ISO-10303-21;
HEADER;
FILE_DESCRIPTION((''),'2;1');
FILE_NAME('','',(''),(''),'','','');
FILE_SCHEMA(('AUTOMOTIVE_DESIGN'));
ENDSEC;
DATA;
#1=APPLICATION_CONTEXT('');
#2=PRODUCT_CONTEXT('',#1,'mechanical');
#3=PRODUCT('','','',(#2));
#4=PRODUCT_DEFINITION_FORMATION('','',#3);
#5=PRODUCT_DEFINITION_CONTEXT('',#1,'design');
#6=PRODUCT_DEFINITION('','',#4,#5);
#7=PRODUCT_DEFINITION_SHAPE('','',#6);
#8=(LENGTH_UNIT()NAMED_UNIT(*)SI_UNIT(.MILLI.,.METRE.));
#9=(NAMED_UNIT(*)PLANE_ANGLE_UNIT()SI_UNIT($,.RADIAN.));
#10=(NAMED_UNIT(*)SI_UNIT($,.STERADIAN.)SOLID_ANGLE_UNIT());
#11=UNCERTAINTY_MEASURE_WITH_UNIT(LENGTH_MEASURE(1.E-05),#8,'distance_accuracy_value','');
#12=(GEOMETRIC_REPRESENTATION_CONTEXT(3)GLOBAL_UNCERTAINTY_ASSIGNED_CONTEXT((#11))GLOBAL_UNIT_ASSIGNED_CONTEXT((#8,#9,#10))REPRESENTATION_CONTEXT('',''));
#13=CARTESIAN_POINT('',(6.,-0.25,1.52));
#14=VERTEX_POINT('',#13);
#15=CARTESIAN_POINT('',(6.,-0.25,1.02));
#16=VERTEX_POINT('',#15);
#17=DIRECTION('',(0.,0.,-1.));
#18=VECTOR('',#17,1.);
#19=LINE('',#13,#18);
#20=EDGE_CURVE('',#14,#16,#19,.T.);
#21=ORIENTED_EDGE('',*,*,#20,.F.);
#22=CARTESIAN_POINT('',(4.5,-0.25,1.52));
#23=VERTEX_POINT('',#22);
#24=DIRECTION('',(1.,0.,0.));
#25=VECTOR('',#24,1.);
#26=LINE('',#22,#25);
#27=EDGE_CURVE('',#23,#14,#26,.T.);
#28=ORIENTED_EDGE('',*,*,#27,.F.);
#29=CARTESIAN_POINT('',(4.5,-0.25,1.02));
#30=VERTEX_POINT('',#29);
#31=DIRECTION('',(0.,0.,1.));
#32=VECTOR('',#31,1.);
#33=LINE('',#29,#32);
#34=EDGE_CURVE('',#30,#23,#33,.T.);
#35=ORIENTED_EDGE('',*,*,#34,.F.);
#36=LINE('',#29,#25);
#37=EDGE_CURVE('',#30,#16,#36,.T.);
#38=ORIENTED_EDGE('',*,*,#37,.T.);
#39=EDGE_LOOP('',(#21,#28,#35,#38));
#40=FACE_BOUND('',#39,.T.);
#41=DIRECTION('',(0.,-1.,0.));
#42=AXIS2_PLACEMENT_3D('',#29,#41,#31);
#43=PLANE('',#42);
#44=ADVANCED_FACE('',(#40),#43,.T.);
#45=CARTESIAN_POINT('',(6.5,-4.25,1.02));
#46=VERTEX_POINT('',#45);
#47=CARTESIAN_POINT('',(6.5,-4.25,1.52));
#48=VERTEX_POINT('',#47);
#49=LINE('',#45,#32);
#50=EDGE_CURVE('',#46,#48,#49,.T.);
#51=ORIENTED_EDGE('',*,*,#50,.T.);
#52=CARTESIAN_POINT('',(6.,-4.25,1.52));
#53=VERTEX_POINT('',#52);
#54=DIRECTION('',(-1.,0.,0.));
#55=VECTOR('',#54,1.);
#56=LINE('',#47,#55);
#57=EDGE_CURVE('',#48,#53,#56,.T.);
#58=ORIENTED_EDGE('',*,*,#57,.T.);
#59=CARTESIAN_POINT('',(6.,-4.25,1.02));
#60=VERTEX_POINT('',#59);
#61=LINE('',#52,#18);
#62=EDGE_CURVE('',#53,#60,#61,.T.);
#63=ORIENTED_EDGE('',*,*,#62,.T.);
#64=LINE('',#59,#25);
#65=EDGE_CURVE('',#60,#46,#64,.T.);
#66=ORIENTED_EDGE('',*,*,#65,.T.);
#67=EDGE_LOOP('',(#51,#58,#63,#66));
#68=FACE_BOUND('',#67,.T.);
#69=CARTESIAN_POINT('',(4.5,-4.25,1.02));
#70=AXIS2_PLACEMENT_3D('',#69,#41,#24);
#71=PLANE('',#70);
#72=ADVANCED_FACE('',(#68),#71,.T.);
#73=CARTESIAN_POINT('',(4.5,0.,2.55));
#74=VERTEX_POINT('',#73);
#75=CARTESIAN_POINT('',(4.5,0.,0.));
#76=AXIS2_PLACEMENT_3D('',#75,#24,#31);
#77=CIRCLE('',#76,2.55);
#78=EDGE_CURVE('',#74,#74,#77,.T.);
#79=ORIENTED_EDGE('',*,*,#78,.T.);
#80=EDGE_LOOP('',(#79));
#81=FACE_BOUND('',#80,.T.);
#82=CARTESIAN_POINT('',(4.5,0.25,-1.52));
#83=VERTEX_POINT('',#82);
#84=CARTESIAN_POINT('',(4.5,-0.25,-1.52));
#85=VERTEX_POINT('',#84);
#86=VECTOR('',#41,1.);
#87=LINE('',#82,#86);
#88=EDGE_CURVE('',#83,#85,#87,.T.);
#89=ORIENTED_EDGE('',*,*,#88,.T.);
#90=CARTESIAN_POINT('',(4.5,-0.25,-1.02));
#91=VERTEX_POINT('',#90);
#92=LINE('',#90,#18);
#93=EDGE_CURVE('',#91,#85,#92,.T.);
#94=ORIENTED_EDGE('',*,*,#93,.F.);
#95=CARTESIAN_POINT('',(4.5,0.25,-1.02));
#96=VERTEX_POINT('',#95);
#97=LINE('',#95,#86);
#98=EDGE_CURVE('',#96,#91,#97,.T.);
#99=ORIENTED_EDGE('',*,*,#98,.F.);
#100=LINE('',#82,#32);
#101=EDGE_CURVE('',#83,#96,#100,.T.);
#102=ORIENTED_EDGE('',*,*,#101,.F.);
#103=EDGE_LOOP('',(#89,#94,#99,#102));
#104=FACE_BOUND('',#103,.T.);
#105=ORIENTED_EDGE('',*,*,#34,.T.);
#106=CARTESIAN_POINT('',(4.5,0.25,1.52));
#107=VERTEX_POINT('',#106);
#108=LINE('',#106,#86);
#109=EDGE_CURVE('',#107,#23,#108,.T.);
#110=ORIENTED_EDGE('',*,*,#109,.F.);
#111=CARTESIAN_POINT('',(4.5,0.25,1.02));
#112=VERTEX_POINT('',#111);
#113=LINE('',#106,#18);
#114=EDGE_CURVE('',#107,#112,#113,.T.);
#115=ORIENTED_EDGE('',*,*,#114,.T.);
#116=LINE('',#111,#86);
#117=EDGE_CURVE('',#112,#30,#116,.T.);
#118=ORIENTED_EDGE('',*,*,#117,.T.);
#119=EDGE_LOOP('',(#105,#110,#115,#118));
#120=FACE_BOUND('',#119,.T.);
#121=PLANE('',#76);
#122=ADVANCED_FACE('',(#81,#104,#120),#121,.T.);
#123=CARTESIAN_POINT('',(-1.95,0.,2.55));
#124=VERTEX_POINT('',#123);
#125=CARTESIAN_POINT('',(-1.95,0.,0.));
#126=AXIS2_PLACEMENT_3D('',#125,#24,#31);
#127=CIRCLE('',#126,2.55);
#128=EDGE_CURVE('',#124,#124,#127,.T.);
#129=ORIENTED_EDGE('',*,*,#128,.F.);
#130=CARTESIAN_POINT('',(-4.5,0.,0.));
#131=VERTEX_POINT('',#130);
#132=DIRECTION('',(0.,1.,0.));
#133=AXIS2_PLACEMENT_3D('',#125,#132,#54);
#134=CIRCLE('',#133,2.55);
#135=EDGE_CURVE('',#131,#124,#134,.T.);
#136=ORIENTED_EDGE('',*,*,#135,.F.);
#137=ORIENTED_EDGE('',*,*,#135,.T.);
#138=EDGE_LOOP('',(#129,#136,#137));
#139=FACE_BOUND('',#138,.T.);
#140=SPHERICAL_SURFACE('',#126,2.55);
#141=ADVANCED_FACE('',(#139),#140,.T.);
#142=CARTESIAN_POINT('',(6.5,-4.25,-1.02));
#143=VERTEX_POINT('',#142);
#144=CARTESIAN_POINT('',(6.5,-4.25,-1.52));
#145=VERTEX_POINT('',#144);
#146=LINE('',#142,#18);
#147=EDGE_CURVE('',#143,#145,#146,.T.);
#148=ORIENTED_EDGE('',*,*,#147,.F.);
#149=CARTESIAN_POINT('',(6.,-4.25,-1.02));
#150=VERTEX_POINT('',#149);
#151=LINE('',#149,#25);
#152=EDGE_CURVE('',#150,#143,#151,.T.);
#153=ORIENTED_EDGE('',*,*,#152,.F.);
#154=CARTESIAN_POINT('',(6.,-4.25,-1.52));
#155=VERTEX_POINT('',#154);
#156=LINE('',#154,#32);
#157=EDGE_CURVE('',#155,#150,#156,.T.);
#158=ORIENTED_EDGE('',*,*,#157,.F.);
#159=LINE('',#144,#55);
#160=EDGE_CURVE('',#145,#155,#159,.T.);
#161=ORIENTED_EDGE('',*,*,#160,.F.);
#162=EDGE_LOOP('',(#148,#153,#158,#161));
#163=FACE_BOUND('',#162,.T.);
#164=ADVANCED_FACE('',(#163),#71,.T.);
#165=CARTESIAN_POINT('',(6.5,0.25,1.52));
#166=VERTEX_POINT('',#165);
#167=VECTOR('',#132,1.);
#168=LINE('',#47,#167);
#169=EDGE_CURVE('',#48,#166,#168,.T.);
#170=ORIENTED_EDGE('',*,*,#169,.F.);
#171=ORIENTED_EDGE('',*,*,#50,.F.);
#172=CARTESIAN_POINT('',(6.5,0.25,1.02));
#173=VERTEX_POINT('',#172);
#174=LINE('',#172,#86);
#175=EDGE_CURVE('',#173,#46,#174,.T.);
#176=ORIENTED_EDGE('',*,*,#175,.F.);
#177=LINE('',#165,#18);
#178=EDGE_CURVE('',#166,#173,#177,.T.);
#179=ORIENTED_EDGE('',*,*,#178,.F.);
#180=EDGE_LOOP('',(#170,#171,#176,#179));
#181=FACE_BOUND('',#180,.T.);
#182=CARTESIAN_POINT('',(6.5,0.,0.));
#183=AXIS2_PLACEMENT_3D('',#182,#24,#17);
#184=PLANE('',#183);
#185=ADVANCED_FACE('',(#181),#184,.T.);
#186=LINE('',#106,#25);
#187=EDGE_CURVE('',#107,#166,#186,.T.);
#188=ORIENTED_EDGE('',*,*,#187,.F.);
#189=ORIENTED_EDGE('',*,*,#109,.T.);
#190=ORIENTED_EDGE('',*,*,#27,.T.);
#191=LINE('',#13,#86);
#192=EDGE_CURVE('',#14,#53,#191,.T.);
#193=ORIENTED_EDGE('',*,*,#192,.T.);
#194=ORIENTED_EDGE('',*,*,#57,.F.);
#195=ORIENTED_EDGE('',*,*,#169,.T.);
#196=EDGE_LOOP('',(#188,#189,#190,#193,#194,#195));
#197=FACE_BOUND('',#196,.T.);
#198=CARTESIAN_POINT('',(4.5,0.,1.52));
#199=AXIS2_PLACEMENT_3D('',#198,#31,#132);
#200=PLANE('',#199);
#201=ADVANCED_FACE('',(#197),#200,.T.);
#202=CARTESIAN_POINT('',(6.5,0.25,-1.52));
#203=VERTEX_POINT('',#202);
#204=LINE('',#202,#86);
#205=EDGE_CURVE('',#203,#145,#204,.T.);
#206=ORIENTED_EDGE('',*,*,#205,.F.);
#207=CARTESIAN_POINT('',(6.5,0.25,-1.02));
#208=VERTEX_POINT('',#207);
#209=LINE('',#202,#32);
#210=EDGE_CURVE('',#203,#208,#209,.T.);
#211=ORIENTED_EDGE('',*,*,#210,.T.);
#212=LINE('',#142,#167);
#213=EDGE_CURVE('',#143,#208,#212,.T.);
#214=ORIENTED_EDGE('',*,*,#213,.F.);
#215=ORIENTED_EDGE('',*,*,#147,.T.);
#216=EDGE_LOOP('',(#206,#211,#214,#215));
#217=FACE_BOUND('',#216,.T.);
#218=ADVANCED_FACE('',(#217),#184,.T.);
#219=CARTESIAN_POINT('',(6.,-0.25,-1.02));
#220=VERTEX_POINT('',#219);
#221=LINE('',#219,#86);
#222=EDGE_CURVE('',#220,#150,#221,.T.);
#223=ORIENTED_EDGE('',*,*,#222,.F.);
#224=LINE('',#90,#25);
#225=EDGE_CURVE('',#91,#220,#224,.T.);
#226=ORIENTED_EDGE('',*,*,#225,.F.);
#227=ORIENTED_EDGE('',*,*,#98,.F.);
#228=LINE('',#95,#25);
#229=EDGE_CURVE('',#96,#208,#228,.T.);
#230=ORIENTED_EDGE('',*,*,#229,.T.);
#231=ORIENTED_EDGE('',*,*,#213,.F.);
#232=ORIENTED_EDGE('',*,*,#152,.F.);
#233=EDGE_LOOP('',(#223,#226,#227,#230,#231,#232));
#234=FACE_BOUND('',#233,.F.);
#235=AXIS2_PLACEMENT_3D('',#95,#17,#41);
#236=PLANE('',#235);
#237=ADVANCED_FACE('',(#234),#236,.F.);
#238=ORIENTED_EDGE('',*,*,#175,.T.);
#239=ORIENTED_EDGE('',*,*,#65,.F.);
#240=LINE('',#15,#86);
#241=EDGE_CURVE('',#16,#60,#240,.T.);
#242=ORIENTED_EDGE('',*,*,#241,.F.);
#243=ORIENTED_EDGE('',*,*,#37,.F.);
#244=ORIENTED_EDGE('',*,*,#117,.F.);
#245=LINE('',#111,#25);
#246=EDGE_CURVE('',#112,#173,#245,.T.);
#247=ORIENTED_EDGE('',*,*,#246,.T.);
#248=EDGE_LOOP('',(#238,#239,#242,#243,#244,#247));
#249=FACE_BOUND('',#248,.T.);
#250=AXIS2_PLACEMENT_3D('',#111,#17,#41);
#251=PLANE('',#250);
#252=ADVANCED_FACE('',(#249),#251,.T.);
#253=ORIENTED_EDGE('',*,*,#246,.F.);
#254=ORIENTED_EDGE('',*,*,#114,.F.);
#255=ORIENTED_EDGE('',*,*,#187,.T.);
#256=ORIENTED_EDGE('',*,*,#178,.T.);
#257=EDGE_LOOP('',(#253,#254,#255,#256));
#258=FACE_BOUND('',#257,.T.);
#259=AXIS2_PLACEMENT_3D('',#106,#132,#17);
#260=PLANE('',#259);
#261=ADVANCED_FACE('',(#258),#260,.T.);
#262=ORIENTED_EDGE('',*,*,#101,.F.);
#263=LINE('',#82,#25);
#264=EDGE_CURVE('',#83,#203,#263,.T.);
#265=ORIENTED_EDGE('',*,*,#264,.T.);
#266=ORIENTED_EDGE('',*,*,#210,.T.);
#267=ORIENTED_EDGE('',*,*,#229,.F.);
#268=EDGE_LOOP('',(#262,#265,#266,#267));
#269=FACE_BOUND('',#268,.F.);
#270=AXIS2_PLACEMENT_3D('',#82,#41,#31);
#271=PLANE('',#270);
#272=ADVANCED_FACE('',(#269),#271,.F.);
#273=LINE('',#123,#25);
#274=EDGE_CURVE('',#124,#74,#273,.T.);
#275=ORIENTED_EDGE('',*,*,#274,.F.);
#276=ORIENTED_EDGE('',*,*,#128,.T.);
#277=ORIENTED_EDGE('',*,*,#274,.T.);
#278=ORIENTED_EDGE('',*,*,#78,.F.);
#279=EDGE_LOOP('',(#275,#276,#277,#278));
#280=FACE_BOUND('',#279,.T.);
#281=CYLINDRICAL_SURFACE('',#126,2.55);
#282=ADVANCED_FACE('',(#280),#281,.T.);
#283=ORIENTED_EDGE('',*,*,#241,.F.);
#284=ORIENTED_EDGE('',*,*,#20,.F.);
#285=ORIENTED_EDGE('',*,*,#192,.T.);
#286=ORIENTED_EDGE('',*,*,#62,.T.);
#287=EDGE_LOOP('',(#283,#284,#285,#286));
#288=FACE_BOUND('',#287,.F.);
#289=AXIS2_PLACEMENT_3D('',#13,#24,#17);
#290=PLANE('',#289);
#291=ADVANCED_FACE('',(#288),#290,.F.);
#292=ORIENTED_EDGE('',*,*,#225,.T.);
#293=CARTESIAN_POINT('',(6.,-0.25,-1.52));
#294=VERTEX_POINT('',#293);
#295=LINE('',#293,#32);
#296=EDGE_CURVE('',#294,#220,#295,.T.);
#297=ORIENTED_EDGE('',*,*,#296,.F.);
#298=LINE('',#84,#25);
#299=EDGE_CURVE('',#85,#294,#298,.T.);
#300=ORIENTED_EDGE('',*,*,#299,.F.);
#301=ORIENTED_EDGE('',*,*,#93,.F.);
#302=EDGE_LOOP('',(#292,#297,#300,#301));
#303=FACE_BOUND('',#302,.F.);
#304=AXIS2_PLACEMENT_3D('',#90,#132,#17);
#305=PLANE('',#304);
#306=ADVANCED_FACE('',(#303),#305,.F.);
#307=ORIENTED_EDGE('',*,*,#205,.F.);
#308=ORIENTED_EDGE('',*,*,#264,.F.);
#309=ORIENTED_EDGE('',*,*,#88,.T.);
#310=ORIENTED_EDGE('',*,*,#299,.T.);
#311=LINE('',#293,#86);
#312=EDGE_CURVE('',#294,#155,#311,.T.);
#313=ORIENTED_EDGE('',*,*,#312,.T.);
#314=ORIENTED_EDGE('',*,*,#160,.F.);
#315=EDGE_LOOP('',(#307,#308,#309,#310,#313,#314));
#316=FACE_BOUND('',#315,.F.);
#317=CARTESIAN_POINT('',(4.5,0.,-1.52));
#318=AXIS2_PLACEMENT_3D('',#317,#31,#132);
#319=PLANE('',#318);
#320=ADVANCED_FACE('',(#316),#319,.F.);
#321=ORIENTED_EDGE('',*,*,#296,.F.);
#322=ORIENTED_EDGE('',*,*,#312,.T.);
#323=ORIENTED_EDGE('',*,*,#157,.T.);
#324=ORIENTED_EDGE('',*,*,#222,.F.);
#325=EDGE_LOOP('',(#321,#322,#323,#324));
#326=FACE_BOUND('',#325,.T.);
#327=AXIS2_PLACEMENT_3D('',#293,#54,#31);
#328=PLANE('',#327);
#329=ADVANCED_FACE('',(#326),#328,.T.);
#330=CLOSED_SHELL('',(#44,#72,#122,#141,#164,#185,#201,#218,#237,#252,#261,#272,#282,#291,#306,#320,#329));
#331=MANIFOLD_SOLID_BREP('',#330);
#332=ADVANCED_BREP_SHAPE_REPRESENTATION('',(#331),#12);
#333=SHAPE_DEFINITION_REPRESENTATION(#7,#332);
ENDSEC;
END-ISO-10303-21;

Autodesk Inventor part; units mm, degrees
ref_plane "YZ Plane" through (0, 0, 0) normal (1, 0, 0) x (0, 1, 0)
ref_plane "XZ Plane" through (0, 0, 0) normal (0, 1, 0) x (-1, 0, 0)
ref_plane "XY Plane" through (0, 0, 0) normal (0, 0, 1) x (1, 0, 0)
sketch "スケッチ1" plane through (0, 0, 0) normal (0, 1, 0) x (-1, 0, 0)
  line L0 (4.5, 2.55) -> (-4.5, 2.55) construction
  line L1 (-4.5, 2.55) -> (-4.5, -2.55) construction
  line L2 (-4.5, -2.55) -> (4.5, -2.55) construction
  line L3 (4.5, -2.55) -> (4.5, 2.55) construction
  line L4 (4.5, 2.55) -> (-4.5, -2.55) construction
  line L5 (-4.5, 2.55) -> (4.5, -2.55) construction
  line L6 (5.4458, 0) -> (-6.2593, 0)
  line L7 (4.5, 0) -> (-4.5, 0)
  arc A0 (4.5, 0) -> (1.95, 2.55) centre (1.95, 0) ccw
  line L8 (-4.5, 2.55) -> (-4.5, 0)
  line L9 (1.95, 2.55) -> (-4.5, 2.55)
  point P0 (0, 0)
  dimension "d0" = 9
  dimension "d1" = 5.1
revolve "回転1" add sketch "スケッチ1" angle 360 about axis through (-5.4458, 0, 0) along (1, 0, 0)
sketch "スケッチ2" plane through (4.5, 0, 0) normal (1, 0, 0) x (0, 0, -1)
  line L0 (-3.2936, 0) -> (3.5532, 0)
  line L1 (0, -3.9082) -> (0, 3.9846)
  line L2 (-1.52, 0.25) -> (-1.02, 0.25)
  line L3 (-1.02, 0.25) -> (-1.02, -0.25)
  line L4 (-1.02, -0.25) -> (-1.52, -0.25)
  line L5 (-1.52, -0.25) -> (-1.52, 0.25)
  line L6 (-1.52, 0.25) -> (-1.02, -0.25) construction
  line L7 (-1.02, 0.25) -> (-1.52, -0.25) construction
  line L8 (1.52, 0.25) -> (1.02, 0.25)
  line L9 (1.02, 0.25) -> (1.02, -0.25)
  line L10 (1.02, -0.25) -> (1.52, -0.25)
  line L11 (1.52, 0.25) -> (1.02, -0.25) construction
  line L12 (1.02, 0.25) -> (1.52, -0.25) construction
  line L13 (1.52, -0.25) -> (1.52, 0.25)
  point P0 (0, 0)
  point P1 (-1.27, 0)
  point P2 (-1.27, 0)
  point P3 (1.27, 0)
  point P4 (1.27, 0)
  dimension "d9" = 0.5
  dimension "d10" = 0.5
  dimension "d11" = 1.27
extrude "押し出し1" add sketch "スケッチ2" along normal blind 2
sketch "スケッチ3" plane through (4.5, -0.25, 1.02) normal (0, -1, 0) x (1, 0, 0)
  line L0 (1.5, 0) -> (2, 0)
  line L1 (2, 0) -> (2, 0.5)
  line L2 (2, 0.5) -> (1.5, 0.5)
  line L3 (1.5, 0.5) -> (1.5, 0)
  line L4 (1.5, 0) -> (2, 0.5) construction
  line L5 (2, 0) -> (1.5, 0.5) construction
  line L6 (1.5, -2.04) -> (2, -2.04)
  line L7 (2, -2.04) -> (2, -2.54)
  line L8 (2, -2.54) -> (1.5, -2.54)
  line L9 (1.5, -2.54) -> (1.5, -2.04)
  line L10 (1.5, -2.04) -> (2, -2.54) construction
  line L11 (2, -2.04) -> (1.5, -2.54) construction
  point P0 (-4.5, -1.02)
  point P1 (1.75, 0.25)
  point P2 (1.75, -2.29)
  dimension "d14" = 0.5
  dimension "d15" = 0.5
  dimension "d16" = 0.5
  dimension "d17" = 0.5
extrude "押し出し2" add sketch "スケッチ3" along normal blind 4
properties part number "LED"
